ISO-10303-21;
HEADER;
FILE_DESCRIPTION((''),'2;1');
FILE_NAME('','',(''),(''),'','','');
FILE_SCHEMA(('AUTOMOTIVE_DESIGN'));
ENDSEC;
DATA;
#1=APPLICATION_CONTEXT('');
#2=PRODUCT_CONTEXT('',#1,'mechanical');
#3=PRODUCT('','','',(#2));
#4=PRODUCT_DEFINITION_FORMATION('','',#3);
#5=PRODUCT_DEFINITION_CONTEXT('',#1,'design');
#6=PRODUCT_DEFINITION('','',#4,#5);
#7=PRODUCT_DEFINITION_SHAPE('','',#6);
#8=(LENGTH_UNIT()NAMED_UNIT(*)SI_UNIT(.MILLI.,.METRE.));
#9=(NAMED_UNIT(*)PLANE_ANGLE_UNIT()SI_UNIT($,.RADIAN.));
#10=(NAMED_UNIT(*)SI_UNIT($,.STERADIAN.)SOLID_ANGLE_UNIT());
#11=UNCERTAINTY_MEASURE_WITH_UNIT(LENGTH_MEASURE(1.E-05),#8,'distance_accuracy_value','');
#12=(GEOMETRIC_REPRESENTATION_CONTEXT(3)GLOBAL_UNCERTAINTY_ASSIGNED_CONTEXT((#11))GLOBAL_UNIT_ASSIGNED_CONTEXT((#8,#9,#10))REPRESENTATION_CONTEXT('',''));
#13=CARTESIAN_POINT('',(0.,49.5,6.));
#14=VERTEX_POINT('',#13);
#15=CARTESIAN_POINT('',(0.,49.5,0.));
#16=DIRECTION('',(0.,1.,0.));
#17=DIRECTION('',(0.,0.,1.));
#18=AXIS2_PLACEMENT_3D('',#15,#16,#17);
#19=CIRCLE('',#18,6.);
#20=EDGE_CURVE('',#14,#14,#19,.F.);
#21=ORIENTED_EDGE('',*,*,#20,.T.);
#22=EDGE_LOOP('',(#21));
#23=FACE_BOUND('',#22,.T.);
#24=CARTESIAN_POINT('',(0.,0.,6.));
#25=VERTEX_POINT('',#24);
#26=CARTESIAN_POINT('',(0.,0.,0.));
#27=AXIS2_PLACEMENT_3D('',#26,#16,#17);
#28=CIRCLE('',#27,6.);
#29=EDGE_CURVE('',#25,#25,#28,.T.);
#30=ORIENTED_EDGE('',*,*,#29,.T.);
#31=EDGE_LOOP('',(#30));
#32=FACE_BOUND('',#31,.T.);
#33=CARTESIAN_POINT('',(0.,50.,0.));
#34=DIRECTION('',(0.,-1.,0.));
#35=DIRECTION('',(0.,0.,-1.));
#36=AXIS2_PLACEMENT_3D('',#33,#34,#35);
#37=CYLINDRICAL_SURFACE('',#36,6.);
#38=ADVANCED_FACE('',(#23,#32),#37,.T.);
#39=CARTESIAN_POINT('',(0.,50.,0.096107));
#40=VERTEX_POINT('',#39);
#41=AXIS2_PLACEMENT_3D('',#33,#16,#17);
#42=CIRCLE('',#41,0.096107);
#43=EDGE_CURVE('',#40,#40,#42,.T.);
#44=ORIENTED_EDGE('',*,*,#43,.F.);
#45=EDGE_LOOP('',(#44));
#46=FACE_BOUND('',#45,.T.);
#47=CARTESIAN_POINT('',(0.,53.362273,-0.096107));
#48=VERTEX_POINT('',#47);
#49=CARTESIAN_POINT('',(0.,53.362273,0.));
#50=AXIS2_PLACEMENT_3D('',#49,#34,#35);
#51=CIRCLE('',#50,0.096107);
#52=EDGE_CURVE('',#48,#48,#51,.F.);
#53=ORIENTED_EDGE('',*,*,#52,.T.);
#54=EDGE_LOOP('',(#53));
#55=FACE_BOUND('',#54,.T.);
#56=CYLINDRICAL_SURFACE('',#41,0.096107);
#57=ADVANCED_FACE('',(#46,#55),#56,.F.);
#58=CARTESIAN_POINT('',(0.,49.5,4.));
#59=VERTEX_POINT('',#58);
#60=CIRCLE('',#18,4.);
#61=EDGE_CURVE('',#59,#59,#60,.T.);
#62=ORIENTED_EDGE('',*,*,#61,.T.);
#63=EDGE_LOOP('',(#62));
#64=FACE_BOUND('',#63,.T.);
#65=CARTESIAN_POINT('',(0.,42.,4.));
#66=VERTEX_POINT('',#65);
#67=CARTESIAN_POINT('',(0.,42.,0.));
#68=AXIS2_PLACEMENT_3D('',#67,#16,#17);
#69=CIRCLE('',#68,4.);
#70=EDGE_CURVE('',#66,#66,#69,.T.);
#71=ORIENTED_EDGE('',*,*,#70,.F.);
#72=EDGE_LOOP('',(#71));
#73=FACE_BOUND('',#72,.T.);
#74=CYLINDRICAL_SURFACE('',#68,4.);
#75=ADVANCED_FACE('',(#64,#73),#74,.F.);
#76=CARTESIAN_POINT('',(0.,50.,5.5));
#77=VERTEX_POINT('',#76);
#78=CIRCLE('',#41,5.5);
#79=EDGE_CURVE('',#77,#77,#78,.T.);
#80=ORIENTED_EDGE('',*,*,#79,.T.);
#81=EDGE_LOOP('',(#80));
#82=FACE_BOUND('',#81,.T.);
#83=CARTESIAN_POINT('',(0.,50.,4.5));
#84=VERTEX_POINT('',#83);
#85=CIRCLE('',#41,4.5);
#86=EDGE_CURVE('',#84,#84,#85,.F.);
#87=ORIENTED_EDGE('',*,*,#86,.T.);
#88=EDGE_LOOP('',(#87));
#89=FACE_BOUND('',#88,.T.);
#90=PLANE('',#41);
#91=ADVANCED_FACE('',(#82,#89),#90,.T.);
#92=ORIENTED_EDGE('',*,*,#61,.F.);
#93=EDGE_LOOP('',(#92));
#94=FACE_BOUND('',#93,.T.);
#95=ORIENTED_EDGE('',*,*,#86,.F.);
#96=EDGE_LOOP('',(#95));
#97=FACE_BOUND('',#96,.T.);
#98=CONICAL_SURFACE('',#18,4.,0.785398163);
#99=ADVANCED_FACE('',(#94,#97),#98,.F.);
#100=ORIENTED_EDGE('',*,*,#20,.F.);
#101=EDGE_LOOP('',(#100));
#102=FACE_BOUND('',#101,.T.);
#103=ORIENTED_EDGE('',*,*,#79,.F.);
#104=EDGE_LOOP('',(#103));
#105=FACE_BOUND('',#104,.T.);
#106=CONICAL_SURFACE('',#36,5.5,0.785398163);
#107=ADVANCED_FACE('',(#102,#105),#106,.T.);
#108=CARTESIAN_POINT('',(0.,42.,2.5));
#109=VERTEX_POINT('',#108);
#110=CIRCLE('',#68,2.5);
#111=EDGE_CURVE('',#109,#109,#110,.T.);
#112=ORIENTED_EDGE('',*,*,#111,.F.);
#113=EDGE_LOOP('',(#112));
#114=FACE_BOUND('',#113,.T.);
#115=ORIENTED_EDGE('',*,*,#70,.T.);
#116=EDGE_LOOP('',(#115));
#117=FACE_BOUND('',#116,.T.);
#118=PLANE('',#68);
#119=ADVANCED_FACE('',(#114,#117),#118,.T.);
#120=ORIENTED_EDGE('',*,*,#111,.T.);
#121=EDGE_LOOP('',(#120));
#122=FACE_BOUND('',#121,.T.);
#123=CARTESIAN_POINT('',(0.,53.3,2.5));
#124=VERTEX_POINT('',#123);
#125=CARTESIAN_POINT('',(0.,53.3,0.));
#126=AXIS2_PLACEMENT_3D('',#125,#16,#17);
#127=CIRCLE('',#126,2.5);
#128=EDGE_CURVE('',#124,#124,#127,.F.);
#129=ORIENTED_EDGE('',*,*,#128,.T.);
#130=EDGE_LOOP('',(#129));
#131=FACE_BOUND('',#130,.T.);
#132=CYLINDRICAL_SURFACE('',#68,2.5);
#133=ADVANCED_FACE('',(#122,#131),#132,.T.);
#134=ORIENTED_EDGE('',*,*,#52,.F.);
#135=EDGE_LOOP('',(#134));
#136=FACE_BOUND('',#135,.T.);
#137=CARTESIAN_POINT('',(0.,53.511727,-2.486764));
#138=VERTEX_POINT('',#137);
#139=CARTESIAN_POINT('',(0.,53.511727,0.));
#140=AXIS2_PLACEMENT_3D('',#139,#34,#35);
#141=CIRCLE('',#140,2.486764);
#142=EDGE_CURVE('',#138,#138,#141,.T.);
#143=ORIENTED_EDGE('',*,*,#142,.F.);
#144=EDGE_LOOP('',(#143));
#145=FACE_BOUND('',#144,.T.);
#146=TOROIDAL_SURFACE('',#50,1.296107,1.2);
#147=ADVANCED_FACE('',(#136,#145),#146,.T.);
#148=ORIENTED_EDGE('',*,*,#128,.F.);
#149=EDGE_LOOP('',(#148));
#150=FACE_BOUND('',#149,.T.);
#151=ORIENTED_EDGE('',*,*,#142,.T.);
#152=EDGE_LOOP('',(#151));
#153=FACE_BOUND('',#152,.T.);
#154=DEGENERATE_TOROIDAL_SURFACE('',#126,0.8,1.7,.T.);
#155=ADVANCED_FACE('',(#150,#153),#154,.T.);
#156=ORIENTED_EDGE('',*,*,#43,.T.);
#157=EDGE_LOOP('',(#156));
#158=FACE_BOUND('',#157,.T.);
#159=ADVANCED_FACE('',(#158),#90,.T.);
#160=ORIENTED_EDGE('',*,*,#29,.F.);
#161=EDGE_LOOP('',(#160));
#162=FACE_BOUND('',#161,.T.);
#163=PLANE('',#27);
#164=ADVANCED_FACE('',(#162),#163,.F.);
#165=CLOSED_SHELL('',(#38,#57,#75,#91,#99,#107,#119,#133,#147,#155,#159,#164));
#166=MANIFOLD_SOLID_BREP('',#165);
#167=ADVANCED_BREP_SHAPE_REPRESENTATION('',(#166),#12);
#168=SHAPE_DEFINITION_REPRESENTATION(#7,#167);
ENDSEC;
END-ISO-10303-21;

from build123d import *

# Parameters (mm, degrees)
SKETCH_1_R          = 6
EXTRUDE_1_DEPTH     = 50
SKETCH_2_R          = 4
SKETCH_2_R_2        = 2.5
CUT_EXTRUDE_1_DEPTH = 8
EXTRUDE_START       = 5
SKETCH_3_R          = 2.5
EXTRUDE_2_DEPTH     = 5
FILLET_1_R          = 1.7
SKETCH_4_R          = 0.096106959
CUT_EXTRUDE_2_DEPTH = 5
FILLET_2_R          = 1.2
CHAMFER_1_SIZE      = 0.5


with BuildPart() as part:
    # 草图1 → 凸台-拉伸1 (new body)
    with BuildSketch(Plane(origin=(0, 0, 0), x_dir=(1, 0, 0), z_dir=(0, 1, 0))):
        with Locations(Location((0, 0, 0), (0, 0, 270))):
            Circle(SKETCH_1_R)
    extrude(amount=EXTRUDE_1_DEPTH)

    # 草图2 → 切除-拉伸1 (cut)
    with BuildSketch(Plane(origin=(0, 50, 0), x_dir=(1, 0, 0), z_dir=(0, 1, 0))):
        with Locations(Location((0, 0, 0), (0, 0, 270))):
            Circle(SKETCH_2_R)
        with Locations(Location((0, 0, 0), (0, 0, 270))):
            Circle(SKETCH_2_R_2, mode=Mode.SUBTRACT)
    extrude(amount=-CUT_EXTRUDE_1_DEPTH, mode=Mode.SUBTRACT)

    # 草图3 → 凸台-拉伸2 (add)
    with BuildSketch(Plane(origin=(0, 50, 0), x_dir=(1, 0, 0), z_dir=(0, 1, 0)).offset(EXTRUDE_START)):
        with Locations(Location((0, 0, 0), (0, 0, 270))):
            Circle(SKETCH_3_R)
    extrude(amount=-EXTRUDE_2_DEPTH)

    # 圆角1
    fillet_1_edges = [part.edges().sort_by_distance(p)[0] for p in [
        (0, 55, -2.5),
    ]]
    fillet(fillet_1_edges, radius=FILLET_1_R)

    # 草图4 → 切除-拉伸2 (cut)
    with BuildSketch(Plane(origin=(0, 55, 0), x_dir=(1, 0, 0), z_dir=(0, 1, 0))):
        with Locations(Location((0, 0, 0), (0, 0, 270))):
            Circle(SKETCH_4_R)
    extrude(amount=-CUT_EXTRUDE_2_DEPTH, mode=Mode.SUBTRACT)

    # 圆角2
    fillet_2_edges = [part.edges().sort_by_distance(p)[0] for p in [
        (0, 55, -0.096106959),
    ]]
    fillet(fillet_2_edges, radius=FILLET_2_R)

    # 倒角1
    chamfer_1_edges = [part.edges().sort_by_distance(p)[0] for p in [
        (0, 50, -6),
        (0, 50, -4),
    ]]
    chamfer(chamfer_1_edges, length=CHAMFER_1_SIZE)


solid = part.part
